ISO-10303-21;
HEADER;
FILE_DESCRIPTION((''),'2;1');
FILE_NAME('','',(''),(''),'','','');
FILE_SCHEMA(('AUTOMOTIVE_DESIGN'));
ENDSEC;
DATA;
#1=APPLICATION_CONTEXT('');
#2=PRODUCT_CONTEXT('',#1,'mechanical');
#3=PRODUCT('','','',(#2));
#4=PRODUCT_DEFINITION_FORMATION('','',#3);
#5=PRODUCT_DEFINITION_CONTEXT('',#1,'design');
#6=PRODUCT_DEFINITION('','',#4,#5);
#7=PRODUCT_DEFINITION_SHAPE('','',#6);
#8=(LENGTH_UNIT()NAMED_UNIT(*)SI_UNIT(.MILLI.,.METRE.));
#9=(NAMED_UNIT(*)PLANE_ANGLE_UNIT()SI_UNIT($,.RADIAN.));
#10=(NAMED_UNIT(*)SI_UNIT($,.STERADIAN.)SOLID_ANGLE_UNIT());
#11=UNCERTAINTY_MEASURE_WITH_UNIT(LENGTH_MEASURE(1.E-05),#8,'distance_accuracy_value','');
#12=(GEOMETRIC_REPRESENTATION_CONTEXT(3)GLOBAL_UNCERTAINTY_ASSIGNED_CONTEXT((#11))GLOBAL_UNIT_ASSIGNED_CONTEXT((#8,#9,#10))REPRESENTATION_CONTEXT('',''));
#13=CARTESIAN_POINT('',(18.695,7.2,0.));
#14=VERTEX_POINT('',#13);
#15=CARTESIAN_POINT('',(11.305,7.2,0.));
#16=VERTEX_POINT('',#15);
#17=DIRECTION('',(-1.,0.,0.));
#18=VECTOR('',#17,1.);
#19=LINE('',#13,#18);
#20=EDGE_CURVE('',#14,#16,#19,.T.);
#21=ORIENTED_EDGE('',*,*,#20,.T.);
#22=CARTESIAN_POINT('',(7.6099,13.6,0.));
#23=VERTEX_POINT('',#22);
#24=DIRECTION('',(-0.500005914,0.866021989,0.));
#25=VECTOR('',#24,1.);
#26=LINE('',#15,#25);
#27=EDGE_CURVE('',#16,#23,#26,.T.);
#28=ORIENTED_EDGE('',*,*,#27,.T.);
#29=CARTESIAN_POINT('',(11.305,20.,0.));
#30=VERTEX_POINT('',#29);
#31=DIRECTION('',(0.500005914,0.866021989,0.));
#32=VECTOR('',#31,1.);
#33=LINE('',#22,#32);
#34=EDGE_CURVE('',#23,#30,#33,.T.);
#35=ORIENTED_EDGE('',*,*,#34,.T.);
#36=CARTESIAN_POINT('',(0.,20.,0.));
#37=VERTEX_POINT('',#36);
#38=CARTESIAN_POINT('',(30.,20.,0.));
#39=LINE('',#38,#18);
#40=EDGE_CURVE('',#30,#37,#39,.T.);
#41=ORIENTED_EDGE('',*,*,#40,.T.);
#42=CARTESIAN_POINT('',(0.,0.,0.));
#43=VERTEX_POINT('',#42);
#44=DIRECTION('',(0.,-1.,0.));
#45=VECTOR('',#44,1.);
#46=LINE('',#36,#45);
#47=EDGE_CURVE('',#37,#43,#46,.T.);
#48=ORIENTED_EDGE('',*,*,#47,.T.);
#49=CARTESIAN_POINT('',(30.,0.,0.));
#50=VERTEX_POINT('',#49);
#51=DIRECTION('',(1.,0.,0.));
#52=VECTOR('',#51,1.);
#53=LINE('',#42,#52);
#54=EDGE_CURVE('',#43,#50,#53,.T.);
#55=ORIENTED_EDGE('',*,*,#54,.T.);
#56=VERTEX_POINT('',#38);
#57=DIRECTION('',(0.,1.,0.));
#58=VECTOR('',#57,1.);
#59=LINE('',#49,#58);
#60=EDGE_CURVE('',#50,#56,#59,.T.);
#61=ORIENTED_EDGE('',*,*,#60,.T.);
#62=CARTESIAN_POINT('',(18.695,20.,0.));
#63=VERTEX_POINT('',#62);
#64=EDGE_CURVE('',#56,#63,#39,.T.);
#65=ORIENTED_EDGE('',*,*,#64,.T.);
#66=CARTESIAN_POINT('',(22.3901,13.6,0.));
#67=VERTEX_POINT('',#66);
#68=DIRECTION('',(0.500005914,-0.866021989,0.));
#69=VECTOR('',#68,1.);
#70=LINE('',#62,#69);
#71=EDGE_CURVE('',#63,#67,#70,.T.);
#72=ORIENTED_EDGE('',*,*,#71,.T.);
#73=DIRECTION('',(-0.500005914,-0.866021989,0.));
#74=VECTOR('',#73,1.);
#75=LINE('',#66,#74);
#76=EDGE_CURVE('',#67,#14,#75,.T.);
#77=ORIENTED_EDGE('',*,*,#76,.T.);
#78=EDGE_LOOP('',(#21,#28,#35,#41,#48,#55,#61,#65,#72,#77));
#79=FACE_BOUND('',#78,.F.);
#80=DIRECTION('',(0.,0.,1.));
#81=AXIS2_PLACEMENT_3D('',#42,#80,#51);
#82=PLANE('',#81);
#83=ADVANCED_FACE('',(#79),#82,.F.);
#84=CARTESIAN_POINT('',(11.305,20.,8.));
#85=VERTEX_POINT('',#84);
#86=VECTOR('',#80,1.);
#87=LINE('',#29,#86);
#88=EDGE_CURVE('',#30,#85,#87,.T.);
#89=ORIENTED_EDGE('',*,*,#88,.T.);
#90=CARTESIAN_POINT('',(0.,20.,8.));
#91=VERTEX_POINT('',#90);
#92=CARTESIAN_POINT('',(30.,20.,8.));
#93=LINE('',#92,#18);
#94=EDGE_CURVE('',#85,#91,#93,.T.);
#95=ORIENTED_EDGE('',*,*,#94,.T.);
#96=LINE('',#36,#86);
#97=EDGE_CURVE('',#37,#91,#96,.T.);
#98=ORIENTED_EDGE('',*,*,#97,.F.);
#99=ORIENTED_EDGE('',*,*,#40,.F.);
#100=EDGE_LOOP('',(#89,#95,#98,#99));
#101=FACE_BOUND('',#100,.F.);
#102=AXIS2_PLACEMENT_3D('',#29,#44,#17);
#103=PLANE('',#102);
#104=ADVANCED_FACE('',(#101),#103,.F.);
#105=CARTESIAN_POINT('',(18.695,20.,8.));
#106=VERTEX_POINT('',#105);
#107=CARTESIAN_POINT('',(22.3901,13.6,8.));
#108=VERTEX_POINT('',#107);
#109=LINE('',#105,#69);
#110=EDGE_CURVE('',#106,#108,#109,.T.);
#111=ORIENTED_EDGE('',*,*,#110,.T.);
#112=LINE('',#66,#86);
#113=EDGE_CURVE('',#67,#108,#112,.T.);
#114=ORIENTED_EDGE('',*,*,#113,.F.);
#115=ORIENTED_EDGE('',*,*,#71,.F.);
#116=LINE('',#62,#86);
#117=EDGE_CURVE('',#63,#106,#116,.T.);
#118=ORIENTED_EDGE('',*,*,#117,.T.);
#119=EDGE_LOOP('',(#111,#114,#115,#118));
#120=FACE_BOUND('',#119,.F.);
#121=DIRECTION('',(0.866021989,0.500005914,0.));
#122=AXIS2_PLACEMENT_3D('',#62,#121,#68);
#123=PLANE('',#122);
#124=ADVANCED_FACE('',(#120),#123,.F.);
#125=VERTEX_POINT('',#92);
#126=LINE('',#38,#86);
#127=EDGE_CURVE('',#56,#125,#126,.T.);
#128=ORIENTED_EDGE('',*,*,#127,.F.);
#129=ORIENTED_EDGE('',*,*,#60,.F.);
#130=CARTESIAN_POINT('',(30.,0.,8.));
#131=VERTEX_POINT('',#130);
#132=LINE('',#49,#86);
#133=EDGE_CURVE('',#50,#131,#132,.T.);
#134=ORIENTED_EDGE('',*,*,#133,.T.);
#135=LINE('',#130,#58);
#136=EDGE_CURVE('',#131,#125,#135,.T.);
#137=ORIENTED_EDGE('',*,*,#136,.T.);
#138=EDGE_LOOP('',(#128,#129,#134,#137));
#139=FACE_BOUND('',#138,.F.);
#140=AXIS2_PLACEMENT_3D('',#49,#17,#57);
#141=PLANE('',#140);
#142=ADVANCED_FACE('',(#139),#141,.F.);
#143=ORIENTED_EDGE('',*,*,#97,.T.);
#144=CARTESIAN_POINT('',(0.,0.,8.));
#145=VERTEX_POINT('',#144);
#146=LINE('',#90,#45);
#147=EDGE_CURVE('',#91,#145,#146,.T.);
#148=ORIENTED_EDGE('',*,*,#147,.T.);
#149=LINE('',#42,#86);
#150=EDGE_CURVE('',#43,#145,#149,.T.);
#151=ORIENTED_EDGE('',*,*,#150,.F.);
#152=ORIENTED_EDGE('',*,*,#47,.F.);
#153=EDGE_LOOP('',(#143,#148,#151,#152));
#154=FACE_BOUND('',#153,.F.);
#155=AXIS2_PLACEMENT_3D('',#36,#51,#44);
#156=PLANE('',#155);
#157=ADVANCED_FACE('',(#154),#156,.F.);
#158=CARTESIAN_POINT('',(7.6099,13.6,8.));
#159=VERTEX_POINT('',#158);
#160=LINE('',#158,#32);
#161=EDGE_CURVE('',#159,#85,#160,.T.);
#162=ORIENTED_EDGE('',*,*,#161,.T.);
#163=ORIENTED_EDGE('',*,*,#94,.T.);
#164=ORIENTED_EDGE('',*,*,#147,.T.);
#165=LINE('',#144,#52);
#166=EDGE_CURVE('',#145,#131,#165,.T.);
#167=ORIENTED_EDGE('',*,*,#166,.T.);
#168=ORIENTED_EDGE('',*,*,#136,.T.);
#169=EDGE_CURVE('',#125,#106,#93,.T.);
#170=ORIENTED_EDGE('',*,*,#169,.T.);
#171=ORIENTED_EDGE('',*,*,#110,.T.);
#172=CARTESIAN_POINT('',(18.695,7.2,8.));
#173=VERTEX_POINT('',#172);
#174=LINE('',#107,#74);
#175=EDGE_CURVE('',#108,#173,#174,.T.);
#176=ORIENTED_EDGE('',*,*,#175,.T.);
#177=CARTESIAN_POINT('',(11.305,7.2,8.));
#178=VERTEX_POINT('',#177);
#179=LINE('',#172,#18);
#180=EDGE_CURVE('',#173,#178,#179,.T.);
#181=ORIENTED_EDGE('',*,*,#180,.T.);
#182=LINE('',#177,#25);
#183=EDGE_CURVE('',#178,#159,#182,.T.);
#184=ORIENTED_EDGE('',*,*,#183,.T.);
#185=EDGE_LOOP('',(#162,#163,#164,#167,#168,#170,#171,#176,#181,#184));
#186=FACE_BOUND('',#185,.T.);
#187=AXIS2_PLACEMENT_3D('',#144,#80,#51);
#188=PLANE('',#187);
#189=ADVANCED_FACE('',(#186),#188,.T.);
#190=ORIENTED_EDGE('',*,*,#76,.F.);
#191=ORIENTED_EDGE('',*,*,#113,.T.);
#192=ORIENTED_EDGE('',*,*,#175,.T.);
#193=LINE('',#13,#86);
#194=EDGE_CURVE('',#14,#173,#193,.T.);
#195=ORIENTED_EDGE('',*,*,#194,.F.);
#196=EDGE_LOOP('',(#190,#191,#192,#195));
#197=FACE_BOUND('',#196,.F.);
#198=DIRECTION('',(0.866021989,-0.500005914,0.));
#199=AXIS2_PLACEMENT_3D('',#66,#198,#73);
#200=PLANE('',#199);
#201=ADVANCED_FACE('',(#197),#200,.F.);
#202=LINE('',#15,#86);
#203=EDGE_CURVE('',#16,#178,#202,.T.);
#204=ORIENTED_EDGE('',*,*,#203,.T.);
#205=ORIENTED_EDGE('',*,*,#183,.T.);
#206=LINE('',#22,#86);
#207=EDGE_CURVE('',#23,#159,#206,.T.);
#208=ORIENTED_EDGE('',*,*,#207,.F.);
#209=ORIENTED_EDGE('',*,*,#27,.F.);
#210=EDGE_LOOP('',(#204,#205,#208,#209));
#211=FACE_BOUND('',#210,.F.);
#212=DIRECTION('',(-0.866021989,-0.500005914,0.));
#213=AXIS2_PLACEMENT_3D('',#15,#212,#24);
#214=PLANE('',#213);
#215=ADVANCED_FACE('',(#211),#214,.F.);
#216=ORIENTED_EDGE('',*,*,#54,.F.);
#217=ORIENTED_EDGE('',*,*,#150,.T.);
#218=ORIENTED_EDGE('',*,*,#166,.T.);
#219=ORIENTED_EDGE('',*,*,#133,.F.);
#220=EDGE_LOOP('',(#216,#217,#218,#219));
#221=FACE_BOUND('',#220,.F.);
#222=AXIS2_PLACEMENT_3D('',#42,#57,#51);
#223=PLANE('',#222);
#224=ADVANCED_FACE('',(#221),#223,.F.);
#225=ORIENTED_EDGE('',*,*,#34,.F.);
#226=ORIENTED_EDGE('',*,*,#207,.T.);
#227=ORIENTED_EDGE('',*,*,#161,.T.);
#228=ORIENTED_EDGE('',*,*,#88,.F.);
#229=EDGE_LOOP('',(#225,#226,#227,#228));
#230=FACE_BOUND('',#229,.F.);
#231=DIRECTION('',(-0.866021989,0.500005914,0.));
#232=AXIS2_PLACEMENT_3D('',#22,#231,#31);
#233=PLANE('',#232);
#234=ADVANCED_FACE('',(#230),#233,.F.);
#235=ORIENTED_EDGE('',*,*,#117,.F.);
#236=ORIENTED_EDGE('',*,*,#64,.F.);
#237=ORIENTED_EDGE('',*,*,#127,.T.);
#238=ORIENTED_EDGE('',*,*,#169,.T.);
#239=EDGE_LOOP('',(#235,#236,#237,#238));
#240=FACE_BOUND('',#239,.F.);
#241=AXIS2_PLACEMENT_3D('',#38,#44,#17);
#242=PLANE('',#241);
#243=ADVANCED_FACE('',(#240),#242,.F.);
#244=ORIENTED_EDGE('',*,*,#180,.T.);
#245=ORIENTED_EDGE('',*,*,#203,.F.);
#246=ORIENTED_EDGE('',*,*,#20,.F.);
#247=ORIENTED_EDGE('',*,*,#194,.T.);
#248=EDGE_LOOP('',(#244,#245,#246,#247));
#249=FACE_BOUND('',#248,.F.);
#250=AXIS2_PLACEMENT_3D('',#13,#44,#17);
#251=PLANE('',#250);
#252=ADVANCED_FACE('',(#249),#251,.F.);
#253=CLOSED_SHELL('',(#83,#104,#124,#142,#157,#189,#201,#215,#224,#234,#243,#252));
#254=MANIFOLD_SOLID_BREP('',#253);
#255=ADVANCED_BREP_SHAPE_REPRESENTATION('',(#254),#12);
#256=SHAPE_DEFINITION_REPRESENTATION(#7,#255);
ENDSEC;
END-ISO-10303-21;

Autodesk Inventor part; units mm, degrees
ref_plane "YZ Plane" through (0, 0, 0) normal (1, 0, 0) x (0, 1, 0)
ref_plane "XZ Plane" through (0, 0, 0) normal (0, 1, 0) x (-1, 0, 0)
ref_plane "XY Plane" through (0, 0, 0) normal (0, 0, 1) x (1, 0, 0)
sketch "Sketch1" plane through (0, 0, 0) normal (0, 0, 1) x (1, 0, 0)
  line L0 (0, 0) -> (30, 0)
  line L1 (30, 0) -> (30, 20)
  line L2 (30, 20) -> (0, 20)
  line L3 (0, 20) -> (0, 0)
  line L4 (11.305, 7.2) -> (7.6099, 13.6)
  line L5 (7.6099, 13.6) -> (11.305, 20)
  line L6 (11.305, 20) -> (18.695, 20)
  line L7 (18.695, 20) -> (22.3901, 13.6)
  line L8 (22.3901, 13.6) -> (18.695, 7.2)
  line L9 (18.695, 7.2) -> (11.305, 7.2)
  point P0 (15, 13.6)
  dimension "d0" = 30
  dimension "d1" = 20
  dimension "d2" = 12.8
  dimension "d3" = 0
  dimension "d4" = 15
extrude "Extrusion1" add sketch "Sketch1" along normal blind 8 contours L3 L2 L5 L4 L9 L8 L7 L1 L0
properties part number "piulita telescop"
